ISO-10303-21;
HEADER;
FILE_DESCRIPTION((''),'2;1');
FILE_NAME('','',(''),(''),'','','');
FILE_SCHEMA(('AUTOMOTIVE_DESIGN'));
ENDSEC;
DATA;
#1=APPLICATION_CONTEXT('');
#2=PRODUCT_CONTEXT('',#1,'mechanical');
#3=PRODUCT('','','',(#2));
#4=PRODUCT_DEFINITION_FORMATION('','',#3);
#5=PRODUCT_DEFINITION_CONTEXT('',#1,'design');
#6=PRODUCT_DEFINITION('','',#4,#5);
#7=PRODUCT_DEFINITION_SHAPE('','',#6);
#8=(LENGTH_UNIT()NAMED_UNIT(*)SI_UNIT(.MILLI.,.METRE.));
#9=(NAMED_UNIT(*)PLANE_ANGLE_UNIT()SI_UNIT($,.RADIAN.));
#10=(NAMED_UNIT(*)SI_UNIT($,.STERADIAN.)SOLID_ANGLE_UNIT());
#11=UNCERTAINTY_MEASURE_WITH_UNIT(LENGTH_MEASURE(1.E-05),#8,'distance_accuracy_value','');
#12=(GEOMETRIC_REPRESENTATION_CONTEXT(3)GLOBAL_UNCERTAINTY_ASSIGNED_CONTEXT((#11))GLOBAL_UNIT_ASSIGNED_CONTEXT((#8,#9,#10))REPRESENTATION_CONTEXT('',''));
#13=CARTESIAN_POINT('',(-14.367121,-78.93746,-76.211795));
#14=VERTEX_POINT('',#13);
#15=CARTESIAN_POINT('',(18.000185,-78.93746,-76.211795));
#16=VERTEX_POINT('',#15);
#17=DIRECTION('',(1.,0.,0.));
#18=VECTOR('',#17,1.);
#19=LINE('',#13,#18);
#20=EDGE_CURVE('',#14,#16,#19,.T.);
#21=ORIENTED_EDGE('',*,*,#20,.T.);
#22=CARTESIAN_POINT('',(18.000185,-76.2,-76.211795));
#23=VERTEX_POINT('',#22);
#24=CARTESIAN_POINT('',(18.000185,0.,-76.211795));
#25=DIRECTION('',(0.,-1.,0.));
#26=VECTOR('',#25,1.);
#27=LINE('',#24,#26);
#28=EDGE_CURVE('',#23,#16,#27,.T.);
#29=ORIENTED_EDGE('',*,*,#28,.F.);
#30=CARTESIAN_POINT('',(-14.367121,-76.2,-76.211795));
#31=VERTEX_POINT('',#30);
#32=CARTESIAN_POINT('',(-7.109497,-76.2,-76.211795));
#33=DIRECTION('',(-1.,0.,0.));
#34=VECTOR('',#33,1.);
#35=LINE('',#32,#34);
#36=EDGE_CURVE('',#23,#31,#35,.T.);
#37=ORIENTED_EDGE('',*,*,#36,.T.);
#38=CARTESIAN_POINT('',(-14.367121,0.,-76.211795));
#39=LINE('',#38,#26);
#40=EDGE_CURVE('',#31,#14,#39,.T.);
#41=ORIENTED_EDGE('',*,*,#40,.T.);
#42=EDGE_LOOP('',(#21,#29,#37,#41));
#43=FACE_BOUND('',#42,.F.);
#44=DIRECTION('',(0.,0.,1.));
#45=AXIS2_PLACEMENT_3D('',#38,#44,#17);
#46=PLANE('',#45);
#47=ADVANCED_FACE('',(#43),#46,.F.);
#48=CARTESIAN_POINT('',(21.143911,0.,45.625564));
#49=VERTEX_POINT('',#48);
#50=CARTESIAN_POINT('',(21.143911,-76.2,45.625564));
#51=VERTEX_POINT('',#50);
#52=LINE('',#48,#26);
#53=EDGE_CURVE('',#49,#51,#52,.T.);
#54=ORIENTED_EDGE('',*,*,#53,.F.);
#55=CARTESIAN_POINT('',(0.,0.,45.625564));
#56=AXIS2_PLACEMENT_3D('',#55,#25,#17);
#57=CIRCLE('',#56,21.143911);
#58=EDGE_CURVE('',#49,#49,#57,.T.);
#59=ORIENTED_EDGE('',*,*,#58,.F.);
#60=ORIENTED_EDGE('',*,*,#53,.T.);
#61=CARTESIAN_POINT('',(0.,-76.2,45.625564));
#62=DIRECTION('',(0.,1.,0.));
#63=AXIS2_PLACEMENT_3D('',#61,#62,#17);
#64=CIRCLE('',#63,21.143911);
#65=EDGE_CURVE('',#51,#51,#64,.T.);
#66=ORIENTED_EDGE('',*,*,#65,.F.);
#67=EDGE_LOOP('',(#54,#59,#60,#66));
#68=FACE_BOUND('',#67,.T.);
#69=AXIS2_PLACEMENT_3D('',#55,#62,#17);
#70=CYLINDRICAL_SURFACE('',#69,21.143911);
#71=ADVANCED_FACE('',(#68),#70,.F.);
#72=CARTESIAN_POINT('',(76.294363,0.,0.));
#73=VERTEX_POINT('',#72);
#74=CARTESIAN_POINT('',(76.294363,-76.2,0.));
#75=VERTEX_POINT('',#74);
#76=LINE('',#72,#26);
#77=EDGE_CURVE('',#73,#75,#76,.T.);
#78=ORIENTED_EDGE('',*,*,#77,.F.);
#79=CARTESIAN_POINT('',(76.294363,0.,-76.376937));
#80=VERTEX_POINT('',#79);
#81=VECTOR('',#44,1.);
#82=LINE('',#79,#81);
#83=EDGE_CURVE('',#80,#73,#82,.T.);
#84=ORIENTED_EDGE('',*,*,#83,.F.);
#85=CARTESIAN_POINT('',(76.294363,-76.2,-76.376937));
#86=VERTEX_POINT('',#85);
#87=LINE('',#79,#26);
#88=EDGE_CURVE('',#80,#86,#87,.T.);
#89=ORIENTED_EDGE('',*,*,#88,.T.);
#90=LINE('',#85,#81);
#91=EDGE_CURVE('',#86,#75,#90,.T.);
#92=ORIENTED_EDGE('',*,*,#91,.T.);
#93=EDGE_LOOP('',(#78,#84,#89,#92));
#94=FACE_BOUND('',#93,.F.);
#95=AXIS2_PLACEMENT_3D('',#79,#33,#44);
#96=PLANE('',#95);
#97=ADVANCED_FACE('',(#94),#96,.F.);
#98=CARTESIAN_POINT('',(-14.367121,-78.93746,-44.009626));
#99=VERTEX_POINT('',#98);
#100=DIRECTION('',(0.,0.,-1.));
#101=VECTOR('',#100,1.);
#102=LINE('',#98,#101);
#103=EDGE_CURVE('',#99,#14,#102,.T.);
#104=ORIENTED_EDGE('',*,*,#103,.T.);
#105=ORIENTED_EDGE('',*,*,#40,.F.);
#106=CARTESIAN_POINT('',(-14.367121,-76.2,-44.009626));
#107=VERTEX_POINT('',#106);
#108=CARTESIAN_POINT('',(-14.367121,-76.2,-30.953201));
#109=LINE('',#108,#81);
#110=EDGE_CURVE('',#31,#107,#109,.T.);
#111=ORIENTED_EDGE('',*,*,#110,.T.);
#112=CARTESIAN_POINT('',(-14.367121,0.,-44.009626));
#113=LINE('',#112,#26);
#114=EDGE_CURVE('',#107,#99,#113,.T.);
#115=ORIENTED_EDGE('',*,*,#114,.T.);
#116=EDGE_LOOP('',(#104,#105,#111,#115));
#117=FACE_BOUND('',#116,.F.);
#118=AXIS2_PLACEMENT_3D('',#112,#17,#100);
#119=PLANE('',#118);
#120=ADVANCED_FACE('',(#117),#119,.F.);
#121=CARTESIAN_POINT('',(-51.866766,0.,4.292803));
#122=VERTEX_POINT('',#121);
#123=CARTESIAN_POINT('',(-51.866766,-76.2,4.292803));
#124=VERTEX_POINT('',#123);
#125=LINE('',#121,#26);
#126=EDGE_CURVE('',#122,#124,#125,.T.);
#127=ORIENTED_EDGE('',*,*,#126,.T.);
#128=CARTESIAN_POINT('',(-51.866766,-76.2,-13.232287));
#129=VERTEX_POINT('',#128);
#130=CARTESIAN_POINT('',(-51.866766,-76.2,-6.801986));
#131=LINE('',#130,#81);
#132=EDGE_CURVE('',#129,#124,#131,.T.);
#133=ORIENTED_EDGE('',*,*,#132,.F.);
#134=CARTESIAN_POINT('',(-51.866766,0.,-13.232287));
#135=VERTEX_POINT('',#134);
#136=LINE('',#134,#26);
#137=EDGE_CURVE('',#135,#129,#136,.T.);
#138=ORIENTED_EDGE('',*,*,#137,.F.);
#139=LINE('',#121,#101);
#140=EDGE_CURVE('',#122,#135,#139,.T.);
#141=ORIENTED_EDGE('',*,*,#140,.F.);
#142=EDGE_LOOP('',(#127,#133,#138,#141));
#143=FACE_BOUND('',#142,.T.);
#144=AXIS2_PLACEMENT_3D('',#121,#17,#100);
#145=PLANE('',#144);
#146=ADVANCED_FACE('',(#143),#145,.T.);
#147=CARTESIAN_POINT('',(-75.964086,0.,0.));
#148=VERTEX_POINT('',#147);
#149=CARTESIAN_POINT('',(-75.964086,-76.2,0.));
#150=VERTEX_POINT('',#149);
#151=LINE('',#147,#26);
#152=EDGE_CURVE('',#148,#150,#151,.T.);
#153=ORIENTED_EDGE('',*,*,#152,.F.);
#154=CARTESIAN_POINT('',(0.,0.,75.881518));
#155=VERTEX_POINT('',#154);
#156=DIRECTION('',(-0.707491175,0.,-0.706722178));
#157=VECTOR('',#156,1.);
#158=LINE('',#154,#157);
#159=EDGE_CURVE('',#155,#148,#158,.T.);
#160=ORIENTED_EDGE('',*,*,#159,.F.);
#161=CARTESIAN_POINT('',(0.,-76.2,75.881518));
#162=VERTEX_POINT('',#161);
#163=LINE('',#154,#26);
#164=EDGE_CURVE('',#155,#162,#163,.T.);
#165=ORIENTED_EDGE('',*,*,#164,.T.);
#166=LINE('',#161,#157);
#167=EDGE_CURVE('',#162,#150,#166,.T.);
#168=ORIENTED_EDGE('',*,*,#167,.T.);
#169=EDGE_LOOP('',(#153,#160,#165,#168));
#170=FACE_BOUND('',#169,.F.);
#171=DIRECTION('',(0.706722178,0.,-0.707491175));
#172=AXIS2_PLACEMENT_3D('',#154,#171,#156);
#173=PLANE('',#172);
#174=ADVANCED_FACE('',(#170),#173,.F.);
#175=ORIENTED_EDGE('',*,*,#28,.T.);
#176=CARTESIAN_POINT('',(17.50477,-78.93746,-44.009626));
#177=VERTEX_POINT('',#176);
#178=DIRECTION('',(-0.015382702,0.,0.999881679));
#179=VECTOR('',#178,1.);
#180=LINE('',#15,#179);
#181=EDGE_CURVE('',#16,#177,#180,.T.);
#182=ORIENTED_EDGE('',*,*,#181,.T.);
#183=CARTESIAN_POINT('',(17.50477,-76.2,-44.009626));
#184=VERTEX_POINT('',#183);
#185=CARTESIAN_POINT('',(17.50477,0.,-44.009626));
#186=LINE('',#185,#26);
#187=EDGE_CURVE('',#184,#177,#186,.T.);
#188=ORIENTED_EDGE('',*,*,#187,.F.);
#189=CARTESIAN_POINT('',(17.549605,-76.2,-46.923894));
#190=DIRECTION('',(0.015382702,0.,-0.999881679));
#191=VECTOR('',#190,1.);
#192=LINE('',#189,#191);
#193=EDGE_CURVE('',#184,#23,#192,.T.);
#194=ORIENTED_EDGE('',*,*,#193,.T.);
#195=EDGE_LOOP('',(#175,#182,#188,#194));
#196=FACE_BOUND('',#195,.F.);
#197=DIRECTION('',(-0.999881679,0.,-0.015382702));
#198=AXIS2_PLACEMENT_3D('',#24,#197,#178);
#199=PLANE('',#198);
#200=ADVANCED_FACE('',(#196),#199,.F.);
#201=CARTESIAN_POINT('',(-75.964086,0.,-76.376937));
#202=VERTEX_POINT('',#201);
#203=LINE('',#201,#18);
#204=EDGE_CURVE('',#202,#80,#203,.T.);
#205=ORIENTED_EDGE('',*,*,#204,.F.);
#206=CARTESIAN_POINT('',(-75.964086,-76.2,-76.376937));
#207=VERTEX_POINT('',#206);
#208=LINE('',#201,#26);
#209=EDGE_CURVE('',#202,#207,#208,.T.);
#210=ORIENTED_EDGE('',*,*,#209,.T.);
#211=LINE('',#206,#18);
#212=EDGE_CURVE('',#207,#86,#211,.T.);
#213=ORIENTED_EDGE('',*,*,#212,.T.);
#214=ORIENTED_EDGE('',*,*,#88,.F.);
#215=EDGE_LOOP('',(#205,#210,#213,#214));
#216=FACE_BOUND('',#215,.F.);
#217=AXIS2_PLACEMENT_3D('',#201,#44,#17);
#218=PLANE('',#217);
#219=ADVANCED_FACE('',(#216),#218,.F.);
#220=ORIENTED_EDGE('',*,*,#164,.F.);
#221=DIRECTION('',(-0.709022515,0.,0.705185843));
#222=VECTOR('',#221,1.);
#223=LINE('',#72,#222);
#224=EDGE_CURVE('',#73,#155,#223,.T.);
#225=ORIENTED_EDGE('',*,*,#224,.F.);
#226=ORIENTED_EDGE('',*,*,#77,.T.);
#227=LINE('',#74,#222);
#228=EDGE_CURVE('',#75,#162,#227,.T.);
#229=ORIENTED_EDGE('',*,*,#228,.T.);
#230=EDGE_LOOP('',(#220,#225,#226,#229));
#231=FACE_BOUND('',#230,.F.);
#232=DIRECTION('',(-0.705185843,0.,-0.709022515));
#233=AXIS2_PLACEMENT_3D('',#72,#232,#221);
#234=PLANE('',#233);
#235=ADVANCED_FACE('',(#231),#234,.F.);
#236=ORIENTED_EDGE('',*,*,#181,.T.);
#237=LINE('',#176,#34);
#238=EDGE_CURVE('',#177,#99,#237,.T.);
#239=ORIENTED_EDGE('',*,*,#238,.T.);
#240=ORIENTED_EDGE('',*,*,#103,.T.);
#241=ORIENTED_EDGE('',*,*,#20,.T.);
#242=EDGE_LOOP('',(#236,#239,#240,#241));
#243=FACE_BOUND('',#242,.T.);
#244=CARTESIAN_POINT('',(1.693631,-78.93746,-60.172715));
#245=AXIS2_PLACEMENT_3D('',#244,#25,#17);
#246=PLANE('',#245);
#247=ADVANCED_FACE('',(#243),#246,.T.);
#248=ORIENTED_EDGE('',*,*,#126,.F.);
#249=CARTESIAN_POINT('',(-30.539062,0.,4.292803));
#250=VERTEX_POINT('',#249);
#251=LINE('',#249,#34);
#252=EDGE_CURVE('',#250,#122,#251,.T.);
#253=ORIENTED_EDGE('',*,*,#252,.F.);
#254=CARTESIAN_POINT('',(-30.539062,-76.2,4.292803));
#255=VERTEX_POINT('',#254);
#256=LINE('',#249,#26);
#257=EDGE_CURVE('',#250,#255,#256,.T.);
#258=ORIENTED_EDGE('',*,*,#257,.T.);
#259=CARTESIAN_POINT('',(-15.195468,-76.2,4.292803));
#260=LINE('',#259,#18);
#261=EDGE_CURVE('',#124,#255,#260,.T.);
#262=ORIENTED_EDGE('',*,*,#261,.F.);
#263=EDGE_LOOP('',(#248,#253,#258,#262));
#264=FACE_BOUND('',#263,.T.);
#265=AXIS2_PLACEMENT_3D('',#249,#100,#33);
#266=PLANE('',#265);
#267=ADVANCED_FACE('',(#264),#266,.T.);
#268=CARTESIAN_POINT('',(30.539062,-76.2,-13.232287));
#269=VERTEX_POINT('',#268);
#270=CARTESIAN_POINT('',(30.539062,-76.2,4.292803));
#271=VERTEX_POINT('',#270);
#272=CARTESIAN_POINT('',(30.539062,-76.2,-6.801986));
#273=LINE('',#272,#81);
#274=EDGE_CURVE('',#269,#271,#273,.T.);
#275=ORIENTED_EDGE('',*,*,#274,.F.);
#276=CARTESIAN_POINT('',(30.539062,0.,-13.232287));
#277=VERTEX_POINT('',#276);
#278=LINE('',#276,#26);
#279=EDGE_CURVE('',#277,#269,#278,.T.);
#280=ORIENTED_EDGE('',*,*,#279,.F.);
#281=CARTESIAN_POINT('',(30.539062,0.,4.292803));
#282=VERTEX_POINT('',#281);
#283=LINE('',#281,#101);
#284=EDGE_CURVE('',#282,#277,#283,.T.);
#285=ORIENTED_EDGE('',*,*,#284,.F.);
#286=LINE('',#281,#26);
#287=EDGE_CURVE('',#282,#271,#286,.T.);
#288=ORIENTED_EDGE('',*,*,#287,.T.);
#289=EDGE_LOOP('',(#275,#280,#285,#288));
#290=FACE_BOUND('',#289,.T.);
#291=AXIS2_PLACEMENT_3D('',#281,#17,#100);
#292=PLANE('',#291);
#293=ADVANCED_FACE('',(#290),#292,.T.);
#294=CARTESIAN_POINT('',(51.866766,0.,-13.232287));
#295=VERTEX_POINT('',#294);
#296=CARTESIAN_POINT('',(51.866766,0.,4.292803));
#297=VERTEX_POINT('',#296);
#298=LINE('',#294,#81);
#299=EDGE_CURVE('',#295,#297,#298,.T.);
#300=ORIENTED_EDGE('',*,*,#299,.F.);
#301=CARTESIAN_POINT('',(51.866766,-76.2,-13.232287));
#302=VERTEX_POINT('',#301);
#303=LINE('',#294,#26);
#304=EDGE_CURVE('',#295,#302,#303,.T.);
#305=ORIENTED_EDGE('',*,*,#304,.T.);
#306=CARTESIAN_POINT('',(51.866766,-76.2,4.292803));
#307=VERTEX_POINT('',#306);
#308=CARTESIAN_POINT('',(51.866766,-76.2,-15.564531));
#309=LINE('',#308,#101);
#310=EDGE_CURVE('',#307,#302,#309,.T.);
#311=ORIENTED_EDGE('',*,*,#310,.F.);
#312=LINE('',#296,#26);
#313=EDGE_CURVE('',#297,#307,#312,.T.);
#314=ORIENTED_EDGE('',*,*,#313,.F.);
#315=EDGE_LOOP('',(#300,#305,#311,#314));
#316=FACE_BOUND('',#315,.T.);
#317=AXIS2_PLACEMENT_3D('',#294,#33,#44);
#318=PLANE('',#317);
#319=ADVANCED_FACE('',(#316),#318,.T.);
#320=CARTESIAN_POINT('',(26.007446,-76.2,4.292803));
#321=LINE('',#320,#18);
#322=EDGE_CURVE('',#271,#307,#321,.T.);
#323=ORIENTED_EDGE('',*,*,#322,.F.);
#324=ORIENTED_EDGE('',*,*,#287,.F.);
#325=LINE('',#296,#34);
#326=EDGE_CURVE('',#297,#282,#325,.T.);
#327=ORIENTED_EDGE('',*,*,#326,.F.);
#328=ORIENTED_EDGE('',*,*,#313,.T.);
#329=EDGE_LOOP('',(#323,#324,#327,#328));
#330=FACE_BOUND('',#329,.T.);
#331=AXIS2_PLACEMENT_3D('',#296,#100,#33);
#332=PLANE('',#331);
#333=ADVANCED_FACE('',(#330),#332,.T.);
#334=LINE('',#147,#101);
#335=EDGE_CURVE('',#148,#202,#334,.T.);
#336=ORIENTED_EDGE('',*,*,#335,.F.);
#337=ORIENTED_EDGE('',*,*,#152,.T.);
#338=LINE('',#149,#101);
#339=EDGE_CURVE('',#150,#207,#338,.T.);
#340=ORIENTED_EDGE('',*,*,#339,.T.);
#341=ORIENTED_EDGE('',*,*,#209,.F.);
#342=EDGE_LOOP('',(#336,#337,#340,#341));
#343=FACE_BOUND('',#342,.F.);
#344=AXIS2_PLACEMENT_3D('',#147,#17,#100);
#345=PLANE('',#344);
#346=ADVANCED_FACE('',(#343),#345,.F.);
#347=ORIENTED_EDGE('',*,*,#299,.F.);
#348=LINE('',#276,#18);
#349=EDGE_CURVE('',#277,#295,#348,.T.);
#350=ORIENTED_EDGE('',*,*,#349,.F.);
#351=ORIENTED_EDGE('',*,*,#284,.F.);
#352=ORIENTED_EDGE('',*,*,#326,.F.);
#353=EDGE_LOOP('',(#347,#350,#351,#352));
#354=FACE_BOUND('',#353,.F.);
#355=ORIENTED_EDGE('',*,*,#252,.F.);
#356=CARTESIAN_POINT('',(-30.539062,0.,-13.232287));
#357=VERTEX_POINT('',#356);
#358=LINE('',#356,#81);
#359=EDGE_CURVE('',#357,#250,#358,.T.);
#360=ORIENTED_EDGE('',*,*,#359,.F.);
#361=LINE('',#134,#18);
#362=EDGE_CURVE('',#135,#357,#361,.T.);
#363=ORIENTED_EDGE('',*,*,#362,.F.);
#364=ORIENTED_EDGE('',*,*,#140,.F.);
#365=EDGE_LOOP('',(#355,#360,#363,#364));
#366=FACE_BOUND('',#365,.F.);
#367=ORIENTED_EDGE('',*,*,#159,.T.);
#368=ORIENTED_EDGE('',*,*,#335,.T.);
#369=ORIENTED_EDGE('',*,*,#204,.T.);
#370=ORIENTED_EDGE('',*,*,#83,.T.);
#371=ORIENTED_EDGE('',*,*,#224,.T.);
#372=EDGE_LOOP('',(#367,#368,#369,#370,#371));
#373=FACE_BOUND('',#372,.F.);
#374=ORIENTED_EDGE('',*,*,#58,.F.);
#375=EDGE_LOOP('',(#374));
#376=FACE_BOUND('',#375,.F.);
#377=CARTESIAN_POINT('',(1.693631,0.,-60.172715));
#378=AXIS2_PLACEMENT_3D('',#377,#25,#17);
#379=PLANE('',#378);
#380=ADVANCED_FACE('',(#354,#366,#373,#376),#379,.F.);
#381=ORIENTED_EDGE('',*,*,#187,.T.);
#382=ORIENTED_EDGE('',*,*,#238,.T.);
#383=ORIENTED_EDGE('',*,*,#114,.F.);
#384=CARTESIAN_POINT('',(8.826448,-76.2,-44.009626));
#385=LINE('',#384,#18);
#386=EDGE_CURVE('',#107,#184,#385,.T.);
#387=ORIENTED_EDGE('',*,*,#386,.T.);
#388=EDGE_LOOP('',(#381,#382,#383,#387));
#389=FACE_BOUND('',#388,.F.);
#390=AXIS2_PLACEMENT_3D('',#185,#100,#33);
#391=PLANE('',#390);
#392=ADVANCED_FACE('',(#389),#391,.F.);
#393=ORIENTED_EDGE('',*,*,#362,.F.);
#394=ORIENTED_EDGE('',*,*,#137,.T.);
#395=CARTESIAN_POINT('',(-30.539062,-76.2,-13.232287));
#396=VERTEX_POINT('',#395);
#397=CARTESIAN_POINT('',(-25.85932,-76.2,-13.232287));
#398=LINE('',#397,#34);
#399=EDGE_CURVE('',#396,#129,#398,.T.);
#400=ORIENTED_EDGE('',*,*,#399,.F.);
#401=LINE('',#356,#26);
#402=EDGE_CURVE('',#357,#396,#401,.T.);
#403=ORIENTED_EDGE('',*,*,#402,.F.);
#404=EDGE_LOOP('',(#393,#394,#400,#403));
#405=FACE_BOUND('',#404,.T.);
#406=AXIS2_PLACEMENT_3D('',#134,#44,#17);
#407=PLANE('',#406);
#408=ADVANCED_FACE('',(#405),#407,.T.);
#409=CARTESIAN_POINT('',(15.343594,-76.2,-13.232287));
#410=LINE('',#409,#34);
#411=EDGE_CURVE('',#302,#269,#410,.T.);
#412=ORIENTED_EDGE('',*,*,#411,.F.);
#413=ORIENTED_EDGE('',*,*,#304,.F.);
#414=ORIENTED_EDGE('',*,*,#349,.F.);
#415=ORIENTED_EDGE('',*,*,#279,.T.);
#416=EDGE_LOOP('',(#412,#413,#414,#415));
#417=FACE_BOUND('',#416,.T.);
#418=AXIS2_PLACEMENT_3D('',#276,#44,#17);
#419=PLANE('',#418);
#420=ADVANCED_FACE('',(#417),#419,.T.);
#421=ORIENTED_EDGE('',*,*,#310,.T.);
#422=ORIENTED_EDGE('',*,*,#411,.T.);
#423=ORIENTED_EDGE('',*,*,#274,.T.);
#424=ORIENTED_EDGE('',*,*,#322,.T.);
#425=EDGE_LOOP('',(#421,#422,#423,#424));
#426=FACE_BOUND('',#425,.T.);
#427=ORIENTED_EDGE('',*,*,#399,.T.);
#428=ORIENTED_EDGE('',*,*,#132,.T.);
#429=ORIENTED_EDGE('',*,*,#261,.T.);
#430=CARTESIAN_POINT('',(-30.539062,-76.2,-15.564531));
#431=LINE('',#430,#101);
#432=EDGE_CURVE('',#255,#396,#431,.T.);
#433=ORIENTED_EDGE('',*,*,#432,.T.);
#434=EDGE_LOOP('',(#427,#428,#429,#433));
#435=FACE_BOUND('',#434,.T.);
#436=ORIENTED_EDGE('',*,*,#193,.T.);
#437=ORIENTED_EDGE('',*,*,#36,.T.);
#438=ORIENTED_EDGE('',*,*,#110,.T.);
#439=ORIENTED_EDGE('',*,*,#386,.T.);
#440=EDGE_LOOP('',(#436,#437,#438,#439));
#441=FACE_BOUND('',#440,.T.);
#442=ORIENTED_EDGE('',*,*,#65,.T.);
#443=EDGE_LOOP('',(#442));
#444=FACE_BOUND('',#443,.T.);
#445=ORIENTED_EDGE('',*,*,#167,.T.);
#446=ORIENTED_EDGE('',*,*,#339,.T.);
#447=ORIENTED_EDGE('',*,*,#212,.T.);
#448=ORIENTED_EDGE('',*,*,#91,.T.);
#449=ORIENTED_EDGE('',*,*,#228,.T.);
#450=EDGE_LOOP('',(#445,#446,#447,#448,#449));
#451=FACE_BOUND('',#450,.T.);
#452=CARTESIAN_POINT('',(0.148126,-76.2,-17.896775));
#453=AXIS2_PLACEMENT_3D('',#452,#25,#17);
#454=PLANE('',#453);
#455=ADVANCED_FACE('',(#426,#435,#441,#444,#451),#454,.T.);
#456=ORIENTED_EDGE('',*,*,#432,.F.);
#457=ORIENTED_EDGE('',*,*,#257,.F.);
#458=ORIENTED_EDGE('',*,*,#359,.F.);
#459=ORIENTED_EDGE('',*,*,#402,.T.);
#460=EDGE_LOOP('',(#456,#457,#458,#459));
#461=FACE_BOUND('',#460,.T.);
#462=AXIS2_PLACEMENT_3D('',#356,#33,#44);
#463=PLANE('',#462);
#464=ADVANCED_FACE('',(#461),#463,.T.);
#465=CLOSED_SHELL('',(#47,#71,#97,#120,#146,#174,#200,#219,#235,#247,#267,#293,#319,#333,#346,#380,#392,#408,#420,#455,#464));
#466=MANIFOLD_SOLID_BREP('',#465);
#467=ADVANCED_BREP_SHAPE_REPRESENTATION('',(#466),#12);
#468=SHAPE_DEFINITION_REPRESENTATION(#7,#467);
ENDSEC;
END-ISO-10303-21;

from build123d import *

# Parameters (mm, degrees)
F1_DEPTH = 76.2
F3_DEPTH = 78.93746
F4_W     = 10.663852
F4_H     = 8.762545
F5_DEPTH = 80.45524
F6_R     = 21.143911
F7_DEPTH = 84.04915


with BuildPart() as f1:
    # F0 (on Front) → F1 (new body)
    with BuildSketch(Plane.XZ):
        Polygon((76.294363, 0), (0, 75.881518), (-75.964086, 0), (-75.964086, -76.376937), (76.294363, -76.376937), align=None)
    extrude(amount=F1_DEPTH)

    # F2 (on Front) → F3 (join)
    with BuildSketch(Plane.XZ):
        Polygon((18.000185, -76.211795), (17.50477, -44.009626), (-14.367121, -44.009626), (-14.367121, -76.211795), align=None)
    extrude(amount=F3_DEPTH)

    # F4 (on Front) → F5 (cut)
    with BuildSketch(Plane.XZ):
        with Locations((-46.53484, -0.088469)):
            Rectangle(F4_W, F4_H)
        with Locations((-35.870988, -0.088469)):
            Rectangle(F4_W, F4_H)
        with Locations((-46.53484, -8.851014)):
            Rectangle(F4_W, F4_H)
        with Locations((-35.870988, -8.851014)):
            Rectangle(F4_W, F4_H)
        with Locations((46.53484, -0.088469)):
            Rectangle(F4_W, F4_H)
        with Locations((46.53484, -8.851014)):
            Rectangle(F4_W, F4_H)
        with Locations((35.870988, -0.088469)):
            Rectangle(F4_W, F4_H)
        with Locations((35.870988, -8.851014)):
            Rectangle(F4_W, F4_H)
    extrude(amount=F5_DEPTH, mode=Mode.SUBTRACT)

    # F6 (on Front) → F7 (cut)
    with BuildSketch(Plane.XZ):
        with Locations((0, 45.625564)):
            Circle(F6_R)
    extrude(amount=F7_DEPTH, mode=Mode.SUBTRACT)


solid = f1.part
